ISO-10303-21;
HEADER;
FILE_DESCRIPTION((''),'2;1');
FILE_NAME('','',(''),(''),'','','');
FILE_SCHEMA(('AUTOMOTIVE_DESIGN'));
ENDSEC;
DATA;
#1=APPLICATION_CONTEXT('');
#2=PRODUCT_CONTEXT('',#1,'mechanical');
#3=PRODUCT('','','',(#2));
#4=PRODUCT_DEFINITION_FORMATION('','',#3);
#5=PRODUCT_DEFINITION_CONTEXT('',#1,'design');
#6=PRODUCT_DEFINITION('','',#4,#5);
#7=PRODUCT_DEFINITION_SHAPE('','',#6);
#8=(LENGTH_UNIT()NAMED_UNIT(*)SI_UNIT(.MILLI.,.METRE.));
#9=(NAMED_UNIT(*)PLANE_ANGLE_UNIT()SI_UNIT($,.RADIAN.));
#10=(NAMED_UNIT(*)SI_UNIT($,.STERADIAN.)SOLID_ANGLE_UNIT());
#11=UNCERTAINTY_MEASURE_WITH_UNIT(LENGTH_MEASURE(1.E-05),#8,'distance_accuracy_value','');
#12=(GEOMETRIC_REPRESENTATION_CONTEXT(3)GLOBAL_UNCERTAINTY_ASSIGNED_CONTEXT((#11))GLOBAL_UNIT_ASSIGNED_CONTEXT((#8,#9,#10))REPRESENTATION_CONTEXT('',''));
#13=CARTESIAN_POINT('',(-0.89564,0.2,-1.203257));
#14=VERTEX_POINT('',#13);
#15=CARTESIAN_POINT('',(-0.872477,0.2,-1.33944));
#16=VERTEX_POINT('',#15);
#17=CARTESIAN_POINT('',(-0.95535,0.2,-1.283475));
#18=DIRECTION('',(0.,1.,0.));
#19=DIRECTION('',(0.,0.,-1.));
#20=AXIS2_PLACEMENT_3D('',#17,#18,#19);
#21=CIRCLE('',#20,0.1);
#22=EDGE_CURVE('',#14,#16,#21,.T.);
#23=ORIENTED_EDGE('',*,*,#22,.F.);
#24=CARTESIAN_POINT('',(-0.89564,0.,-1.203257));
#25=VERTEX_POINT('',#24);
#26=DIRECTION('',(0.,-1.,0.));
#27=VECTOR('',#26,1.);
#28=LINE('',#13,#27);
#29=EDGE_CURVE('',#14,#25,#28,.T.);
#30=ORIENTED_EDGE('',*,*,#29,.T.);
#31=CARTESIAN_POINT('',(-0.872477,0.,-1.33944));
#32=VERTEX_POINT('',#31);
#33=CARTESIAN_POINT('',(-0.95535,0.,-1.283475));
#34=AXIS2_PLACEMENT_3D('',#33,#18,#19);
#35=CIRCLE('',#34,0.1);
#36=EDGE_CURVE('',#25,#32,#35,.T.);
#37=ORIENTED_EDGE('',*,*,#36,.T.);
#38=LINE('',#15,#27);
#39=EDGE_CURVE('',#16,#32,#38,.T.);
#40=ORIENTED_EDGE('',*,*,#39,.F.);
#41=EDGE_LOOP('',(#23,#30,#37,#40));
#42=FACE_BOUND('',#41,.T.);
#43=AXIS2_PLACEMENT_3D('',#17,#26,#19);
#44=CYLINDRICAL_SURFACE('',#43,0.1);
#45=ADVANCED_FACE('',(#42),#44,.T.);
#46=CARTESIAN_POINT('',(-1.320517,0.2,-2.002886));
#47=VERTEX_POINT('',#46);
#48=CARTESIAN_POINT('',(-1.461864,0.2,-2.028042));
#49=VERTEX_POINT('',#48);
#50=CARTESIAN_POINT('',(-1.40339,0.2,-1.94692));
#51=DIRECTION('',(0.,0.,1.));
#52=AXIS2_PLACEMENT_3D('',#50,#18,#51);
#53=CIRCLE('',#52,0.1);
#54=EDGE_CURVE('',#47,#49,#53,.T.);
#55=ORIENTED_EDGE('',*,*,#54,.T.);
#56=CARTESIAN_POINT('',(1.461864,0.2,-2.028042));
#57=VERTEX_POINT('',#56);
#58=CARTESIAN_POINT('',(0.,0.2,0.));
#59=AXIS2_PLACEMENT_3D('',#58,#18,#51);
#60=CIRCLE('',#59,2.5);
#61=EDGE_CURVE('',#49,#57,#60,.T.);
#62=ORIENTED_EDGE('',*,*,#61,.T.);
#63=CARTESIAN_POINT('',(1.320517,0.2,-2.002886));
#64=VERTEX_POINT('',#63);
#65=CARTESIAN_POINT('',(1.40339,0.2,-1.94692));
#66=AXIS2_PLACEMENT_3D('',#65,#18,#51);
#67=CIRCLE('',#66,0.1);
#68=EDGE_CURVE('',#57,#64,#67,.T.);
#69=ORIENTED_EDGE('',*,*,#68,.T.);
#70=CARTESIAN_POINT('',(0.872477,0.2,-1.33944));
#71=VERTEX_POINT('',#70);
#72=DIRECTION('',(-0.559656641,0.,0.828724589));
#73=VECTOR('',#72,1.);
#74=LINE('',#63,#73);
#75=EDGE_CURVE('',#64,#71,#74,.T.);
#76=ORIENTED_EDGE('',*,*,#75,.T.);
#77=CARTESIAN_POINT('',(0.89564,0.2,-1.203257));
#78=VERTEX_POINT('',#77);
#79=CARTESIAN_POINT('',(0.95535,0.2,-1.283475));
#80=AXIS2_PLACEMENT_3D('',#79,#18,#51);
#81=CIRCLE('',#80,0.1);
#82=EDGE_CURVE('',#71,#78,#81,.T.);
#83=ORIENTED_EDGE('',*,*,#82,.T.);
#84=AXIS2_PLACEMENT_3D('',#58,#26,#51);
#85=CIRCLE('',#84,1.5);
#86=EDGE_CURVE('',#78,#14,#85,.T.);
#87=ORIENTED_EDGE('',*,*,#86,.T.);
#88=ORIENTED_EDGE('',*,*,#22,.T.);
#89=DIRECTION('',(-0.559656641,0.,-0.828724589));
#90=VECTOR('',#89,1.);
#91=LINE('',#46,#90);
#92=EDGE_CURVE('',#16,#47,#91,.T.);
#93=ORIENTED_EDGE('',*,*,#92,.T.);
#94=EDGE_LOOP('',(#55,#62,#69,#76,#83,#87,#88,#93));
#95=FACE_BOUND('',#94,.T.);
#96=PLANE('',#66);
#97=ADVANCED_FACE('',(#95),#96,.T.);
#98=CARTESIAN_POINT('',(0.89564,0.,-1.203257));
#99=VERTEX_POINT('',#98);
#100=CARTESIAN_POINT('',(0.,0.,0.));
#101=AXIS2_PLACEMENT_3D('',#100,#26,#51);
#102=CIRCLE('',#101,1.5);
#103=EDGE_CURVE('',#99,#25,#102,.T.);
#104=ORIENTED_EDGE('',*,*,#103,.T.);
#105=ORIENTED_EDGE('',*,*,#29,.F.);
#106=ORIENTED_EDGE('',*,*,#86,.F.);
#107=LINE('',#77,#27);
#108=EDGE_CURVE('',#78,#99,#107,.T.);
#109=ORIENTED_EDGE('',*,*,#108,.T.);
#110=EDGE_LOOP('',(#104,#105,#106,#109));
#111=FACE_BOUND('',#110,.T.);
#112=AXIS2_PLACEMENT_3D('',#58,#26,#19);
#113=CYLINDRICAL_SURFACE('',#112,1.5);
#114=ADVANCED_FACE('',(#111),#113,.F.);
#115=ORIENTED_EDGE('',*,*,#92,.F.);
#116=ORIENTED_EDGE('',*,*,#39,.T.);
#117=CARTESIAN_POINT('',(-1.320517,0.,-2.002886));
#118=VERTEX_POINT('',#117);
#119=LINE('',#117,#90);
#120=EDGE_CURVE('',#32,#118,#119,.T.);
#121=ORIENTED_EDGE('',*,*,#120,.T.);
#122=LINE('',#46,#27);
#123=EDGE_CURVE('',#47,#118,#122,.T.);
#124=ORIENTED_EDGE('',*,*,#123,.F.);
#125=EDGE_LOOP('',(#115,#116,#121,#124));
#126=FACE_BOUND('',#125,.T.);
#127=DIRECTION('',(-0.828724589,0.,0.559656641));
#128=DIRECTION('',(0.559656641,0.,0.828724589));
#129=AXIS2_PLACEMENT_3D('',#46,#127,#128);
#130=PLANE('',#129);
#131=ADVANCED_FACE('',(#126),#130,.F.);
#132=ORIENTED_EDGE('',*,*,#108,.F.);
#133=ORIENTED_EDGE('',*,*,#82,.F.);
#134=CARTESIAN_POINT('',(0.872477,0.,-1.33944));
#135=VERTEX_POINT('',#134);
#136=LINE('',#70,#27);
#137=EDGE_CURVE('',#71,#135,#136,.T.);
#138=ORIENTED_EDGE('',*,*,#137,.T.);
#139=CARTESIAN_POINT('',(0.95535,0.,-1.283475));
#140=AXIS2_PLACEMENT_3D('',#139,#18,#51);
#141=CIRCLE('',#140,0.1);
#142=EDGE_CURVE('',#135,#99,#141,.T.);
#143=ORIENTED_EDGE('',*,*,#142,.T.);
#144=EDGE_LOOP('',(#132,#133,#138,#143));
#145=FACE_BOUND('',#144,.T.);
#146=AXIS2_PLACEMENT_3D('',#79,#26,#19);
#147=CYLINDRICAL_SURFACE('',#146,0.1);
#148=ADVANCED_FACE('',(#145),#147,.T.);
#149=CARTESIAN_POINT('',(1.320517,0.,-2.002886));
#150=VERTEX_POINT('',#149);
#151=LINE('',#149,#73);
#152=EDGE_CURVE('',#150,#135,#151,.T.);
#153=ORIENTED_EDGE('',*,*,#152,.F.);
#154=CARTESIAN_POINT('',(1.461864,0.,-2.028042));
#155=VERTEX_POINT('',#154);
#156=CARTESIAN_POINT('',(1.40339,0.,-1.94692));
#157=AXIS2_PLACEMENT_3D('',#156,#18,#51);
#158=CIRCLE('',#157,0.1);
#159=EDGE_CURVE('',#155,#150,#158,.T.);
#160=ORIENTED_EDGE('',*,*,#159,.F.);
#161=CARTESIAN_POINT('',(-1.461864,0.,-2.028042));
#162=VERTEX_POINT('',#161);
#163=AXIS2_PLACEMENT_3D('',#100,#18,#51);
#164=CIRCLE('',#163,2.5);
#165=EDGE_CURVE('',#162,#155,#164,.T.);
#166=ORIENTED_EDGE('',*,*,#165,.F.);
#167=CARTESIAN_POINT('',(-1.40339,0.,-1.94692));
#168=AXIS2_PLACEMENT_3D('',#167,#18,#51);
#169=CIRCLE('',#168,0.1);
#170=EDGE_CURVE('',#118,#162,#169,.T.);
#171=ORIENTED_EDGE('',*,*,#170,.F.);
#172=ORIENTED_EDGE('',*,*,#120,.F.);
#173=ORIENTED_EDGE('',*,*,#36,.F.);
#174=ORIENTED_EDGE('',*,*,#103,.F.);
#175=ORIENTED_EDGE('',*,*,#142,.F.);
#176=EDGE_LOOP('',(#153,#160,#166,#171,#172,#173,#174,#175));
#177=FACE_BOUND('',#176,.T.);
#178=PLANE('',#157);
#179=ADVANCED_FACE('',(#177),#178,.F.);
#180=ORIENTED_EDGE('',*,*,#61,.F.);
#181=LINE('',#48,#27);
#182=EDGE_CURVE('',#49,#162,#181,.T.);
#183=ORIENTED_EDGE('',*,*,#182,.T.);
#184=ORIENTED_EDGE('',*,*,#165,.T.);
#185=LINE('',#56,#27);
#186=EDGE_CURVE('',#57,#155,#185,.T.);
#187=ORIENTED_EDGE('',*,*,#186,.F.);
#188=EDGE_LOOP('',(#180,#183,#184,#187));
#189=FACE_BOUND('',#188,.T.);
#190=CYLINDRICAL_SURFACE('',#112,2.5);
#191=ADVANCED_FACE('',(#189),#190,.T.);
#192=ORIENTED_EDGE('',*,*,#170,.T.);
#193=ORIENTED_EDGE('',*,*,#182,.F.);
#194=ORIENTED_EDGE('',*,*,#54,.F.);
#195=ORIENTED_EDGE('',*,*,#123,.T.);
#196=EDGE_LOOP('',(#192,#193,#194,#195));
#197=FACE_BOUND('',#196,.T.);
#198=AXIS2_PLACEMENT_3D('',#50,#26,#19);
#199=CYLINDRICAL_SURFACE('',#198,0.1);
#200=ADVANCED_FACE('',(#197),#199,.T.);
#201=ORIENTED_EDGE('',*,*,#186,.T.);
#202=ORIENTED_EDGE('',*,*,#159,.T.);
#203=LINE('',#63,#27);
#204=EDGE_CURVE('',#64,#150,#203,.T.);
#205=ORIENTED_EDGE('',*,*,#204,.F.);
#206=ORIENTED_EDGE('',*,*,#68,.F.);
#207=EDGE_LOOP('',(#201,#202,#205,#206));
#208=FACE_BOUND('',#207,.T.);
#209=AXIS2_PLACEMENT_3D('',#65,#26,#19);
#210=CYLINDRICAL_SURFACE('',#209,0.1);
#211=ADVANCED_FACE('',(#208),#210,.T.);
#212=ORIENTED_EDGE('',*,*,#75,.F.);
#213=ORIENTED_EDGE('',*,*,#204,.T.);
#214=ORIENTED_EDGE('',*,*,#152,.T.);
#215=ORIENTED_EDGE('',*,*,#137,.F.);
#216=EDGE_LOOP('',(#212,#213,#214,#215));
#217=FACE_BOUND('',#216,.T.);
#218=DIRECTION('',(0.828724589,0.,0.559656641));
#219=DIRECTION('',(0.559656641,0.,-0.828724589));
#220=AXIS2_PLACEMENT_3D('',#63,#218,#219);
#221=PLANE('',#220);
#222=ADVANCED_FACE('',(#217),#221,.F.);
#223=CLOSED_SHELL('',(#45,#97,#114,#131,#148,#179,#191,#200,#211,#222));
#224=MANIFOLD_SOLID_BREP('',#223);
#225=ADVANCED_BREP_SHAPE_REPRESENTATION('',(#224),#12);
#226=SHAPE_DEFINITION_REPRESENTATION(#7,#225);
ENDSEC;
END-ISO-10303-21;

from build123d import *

# Parameters (mm, degrees)
BOSS_EXTRUDE1_DEPTH = 0.2


with BuildPart() as part:
    # Sketch1 → Boss-Extrude1 (new body)
    with BuildSketch(Plane(origin=(0, 0, 0), x_dir=(1, 0, 0), z_dir=(0, 1, 0))):
        with BuildLine():
            Line((-1.320517138, 2.002885703), (-0.872477251, 1.339440219))
            ThreePointArc((-0.872477251, 1.339440219), (-0.856765563, 1.266706547), (-0.895640353, 1.203257395))
            ThreePointArc((-0.895640353, 1.203257395), (0, -1.5), (0.895640353, 1.203257395))
            ThreePointArc((0.895640353, 1.203257395), (0.856765563, 1.266706547), (0.872477251, 1.339440219))
            Line((0.872477251, 1.339440219), (1.320517138, 2.002885703))
            ThreePointArc((1.320517138, 2.002885703), (1.385867599, 2.04537297), (1.461864164, 2.028041707))
            ThreePointArc((1.461864164, 2.028041707), (0, -2.5), (-1.461864164, 2.028041707))
            ThreePointArc((-1.461864164, 2.028041707), (-1.385867599, 2.04537297), (-1.320517138, 2.002885703))
        make_face()
    extrude(amount=BOSS_EXTRUDE1_DEPTH)


solid = part.part
